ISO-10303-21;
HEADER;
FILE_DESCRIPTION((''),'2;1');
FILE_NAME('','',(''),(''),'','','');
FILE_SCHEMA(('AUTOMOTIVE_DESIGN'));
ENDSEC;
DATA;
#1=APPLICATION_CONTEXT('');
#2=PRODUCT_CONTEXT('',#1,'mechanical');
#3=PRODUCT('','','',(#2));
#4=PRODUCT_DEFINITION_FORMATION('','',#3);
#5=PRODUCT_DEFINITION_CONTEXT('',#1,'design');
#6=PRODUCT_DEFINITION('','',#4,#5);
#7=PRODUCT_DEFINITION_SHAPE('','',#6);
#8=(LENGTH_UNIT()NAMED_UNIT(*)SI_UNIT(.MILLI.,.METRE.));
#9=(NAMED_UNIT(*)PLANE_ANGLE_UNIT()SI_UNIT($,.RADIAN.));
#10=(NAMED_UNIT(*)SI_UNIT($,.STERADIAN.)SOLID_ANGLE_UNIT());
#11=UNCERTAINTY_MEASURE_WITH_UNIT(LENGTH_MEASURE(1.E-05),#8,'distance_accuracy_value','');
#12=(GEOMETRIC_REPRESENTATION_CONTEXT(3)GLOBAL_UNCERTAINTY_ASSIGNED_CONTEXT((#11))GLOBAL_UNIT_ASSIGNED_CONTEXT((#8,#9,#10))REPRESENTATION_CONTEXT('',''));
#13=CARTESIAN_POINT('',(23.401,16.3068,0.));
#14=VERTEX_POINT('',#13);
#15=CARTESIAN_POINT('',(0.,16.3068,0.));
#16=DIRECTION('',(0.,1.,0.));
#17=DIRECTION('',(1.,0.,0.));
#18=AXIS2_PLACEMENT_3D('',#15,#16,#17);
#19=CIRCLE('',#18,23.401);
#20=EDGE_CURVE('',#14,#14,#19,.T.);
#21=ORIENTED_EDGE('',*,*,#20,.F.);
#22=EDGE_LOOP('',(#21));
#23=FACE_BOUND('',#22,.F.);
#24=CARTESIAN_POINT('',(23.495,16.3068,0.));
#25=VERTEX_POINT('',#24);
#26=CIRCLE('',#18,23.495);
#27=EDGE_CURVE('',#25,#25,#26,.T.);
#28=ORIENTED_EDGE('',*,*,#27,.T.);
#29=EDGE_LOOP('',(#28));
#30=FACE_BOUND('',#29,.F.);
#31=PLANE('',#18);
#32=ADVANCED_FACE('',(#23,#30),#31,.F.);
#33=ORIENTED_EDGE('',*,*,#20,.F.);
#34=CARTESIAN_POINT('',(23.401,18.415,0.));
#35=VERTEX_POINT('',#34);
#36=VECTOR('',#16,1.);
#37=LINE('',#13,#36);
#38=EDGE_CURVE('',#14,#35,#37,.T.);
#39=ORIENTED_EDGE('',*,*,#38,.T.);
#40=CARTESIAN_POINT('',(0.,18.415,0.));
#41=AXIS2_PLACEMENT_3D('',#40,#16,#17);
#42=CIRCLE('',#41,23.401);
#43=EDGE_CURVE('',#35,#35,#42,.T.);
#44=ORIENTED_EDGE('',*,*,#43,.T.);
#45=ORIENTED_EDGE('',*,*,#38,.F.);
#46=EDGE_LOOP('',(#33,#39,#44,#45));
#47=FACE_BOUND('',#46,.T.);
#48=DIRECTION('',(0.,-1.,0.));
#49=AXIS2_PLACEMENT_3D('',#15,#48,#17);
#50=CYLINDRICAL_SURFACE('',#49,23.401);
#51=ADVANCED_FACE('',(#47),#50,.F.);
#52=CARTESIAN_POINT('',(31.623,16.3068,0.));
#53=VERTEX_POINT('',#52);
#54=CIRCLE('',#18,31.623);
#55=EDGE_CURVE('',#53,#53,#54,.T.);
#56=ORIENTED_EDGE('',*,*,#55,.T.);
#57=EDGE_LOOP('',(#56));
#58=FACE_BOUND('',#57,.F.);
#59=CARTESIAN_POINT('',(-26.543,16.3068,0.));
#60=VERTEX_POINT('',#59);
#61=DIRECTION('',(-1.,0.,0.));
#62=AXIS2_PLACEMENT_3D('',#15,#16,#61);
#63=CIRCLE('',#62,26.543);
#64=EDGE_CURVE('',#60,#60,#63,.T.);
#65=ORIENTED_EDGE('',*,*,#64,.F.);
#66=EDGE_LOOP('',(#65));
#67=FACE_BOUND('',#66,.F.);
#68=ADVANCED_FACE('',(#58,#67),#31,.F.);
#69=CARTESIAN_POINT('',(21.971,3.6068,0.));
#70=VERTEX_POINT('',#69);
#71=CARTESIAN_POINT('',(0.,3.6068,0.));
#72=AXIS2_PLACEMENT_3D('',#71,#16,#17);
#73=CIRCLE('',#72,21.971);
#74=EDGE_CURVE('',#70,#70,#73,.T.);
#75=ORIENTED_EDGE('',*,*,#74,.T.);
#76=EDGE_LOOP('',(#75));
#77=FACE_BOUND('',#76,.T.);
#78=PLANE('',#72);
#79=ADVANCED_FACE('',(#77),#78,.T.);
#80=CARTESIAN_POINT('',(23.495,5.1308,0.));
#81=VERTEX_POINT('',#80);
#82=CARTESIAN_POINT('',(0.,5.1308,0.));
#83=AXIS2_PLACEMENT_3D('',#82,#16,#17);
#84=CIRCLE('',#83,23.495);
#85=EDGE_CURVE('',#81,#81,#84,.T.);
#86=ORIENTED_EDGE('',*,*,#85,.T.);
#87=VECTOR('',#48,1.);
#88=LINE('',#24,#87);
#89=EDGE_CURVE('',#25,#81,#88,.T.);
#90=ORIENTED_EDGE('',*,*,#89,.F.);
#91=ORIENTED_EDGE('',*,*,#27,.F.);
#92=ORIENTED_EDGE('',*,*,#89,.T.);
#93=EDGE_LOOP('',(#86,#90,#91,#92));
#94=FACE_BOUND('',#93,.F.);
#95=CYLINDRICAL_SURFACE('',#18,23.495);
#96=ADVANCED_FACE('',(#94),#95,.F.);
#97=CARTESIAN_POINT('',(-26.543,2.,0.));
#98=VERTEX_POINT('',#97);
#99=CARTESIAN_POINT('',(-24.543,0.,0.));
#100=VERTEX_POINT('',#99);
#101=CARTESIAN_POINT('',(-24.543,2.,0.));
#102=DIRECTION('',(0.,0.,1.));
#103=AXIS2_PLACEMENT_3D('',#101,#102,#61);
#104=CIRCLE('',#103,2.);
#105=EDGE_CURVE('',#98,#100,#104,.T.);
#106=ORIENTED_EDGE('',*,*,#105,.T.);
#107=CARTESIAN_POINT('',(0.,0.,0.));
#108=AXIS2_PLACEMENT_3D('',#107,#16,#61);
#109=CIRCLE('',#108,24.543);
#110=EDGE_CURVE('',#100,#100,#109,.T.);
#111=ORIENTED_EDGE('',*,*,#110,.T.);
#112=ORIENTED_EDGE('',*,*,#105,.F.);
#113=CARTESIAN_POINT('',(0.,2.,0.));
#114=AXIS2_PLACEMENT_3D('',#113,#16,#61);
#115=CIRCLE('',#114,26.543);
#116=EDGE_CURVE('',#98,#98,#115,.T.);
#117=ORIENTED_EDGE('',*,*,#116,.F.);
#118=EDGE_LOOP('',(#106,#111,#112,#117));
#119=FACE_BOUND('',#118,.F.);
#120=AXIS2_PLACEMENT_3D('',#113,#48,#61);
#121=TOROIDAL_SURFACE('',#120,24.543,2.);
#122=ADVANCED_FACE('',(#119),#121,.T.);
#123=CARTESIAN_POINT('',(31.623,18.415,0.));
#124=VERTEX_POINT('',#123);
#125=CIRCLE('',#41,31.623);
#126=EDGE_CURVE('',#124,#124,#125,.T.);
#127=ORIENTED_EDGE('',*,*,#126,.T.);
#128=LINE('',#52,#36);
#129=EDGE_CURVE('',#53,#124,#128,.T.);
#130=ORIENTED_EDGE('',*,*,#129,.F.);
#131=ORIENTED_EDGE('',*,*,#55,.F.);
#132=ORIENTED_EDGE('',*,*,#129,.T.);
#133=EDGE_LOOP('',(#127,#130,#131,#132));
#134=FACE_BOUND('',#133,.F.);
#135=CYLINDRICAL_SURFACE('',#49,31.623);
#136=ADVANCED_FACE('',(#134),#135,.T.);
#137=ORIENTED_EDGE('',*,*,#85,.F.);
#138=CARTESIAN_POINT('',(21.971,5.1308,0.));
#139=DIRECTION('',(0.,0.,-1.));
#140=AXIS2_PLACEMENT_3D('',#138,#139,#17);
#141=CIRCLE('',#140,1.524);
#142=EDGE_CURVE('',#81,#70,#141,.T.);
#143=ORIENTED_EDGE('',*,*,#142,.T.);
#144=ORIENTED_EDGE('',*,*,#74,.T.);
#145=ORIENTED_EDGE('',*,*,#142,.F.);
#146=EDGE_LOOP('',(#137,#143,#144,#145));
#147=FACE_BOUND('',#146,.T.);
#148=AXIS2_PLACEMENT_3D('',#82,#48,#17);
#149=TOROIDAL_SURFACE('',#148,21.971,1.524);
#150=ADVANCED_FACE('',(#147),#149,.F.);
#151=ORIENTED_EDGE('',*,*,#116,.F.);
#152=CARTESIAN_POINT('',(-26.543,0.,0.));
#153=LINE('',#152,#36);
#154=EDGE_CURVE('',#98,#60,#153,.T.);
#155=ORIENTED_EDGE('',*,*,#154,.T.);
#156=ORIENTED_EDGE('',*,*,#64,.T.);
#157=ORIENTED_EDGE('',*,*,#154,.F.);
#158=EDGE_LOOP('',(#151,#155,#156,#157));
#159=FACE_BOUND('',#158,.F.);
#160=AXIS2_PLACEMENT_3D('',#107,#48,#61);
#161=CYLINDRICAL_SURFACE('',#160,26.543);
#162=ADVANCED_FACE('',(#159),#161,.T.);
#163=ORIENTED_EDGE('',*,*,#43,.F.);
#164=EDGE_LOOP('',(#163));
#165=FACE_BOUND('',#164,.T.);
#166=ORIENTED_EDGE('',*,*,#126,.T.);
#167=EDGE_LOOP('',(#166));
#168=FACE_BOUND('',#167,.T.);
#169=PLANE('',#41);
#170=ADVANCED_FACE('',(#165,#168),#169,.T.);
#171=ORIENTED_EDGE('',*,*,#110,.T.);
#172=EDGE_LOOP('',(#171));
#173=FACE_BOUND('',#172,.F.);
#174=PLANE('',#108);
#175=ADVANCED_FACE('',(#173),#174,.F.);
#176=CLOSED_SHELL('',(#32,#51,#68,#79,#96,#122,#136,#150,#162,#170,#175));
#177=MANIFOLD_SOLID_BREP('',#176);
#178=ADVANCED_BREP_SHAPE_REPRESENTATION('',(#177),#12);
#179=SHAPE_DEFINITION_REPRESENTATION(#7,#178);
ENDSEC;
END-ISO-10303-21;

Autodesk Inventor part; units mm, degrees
ref_plane "YZ Plane" through (0, 0, 0) normal (1, 0, 0) x (0, 1, 0)
ref_plane "XZ Plane" through (0, 0, 0) normal (0, 1, 0) x (-1, 0, 0)
ref_plane "XY Plane" through (0, 0, 0) normal (0, 0, 1) x (1, 0, 0)
sketch "Sketch1" plane through (0, 0, 0) normal (0, 1, 0) x (-1, 0, 0)
  circle A0 centre (0, 0) radius 26.543
  dimension "d0" = 53.086
extrude "Extrusion1" add sketch "Sketch1" along normal blind 16.3068
sketch "Sketch2" plane through (0, 16.3068, 0) normal (0, 1, 0) x (1, 0, 0)
  circle A0 centre (0, 0) radius 23.495
  dimension "d3" = 46.99
extrude "Extrusion2" cut sketch "Sketch2" against normal blind 12.7
sketch "Sketch3" plane through (0, 16.3068, 0) normal (0, 1, 0) x (1, 0, 0)
  circle A0 centre (0, 0) radius 31.623
  circle A1 centre (0, 0) radius 23.401
  dimension "d6" = 63.246
extrude "Extrusion4" add sketch "Sketch3" along normal blind 2.1082
fillet "Fillet2" radius 1.524 1 edges at (-23.495, 3.6068, 0)
fillet "Fillet3" radius 2 1 edges at (26.543, 0, 0)
properties part number "_3DPrint"
